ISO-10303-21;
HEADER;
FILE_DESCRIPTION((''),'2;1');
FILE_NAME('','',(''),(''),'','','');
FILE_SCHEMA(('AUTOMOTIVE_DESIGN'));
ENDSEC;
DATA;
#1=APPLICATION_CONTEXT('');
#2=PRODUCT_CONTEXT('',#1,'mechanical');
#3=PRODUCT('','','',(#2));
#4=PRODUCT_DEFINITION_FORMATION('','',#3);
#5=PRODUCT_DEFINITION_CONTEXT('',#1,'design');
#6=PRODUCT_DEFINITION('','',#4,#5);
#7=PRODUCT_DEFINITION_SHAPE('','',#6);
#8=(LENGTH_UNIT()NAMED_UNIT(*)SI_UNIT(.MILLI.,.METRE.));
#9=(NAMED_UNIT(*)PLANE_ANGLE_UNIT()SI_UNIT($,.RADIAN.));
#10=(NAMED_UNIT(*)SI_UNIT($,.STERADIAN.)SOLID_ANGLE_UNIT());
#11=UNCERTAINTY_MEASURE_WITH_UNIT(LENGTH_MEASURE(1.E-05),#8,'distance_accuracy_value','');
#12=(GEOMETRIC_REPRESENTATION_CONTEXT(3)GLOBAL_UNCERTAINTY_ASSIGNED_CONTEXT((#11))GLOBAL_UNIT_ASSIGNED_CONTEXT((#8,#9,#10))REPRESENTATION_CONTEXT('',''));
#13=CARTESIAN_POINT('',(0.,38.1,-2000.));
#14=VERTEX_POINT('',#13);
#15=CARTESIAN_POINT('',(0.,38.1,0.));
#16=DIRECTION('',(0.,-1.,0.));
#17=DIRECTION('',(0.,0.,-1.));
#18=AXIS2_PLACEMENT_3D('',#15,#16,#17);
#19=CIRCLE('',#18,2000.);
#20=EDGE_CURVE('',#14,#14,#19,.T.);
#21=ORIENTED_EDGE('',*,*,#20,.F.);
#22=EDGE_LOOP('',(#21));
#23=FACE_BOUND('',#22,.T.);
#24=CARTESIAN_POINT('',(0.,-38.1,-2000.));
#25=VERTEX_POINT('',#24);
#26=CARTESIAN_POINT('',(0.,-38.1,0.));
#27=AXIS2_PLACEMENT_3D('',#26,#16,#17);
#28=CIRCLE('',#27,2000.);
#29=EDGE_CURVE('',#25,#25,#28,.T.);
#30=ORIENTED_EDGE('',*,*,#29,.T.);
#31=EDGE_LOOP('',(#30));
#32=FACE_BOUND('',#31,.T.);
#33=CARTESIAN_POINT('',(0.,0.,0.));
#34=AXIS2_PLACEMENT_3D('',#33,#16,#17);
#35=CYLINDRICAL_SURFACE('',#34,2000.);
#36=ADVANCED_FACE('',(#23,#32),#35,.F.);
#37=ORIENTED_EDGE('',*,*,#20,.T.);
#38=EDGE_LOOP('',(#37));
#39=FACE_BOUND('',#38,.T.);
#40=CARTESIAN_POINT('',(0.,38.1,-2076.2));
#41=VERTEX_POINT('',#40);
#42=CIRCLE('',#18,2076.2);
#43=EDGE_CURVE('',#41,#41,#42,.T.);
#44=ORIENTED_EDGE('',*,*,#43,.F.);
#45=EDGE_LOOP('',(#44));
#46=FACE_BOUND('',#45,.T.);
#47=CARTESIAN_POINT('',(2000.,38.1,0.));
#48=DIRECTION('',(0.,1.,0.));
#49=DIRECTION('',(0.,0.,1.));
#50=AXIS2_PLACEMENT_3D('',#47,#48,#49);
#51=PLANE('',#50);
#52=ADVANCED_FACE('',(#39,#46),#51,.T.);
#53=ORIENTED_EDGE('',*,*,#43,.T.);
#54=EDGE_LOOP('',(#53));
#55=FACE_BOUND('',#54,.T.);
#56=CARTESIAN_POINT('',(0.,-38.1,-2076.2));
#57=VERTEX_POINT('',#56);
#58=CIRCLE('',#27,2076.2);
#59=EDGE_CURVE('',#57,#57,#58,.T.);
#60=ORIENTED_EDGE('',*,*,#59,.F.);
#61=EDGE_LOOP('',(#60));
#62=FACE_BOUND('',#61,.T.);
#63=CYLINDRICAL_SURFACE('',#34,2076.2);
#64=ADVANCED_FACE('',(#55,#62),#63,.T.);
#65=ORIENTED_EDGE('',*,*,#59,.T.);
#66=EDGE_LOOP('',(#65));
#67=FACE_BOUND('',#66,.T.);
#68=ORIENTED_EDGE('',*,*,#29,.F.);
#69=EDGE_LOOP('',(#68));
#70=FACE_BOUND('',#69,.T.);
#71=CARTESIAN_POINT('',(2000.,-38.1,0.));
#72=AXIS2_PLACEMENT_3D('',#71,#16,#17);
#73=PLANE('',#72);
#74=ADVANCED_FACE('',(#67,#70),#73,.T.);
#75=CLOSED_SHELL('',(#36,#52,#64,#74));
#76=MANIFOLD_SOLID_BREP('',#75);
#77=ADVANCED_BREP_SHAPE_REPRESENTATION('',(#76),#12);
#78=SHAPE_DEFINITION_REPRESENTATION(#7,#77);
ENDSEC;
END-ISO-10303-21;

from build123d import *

# Parameters (mm, degrees)
SKETCH1_W = 76.2
SKETCH1_H = 76.2


with BuildPart() as part:
    # Sketch1 → Revolve1 (revolve)
    with BuildSketch(Plane.XY):
        with Locations((2038.1, 0)):
            Rectangle(SKETCH1_W, SKETCH1_H)
    revolve(axis=Axis((0, 0, 0), (0, 1, 0)))


solid = part.part
